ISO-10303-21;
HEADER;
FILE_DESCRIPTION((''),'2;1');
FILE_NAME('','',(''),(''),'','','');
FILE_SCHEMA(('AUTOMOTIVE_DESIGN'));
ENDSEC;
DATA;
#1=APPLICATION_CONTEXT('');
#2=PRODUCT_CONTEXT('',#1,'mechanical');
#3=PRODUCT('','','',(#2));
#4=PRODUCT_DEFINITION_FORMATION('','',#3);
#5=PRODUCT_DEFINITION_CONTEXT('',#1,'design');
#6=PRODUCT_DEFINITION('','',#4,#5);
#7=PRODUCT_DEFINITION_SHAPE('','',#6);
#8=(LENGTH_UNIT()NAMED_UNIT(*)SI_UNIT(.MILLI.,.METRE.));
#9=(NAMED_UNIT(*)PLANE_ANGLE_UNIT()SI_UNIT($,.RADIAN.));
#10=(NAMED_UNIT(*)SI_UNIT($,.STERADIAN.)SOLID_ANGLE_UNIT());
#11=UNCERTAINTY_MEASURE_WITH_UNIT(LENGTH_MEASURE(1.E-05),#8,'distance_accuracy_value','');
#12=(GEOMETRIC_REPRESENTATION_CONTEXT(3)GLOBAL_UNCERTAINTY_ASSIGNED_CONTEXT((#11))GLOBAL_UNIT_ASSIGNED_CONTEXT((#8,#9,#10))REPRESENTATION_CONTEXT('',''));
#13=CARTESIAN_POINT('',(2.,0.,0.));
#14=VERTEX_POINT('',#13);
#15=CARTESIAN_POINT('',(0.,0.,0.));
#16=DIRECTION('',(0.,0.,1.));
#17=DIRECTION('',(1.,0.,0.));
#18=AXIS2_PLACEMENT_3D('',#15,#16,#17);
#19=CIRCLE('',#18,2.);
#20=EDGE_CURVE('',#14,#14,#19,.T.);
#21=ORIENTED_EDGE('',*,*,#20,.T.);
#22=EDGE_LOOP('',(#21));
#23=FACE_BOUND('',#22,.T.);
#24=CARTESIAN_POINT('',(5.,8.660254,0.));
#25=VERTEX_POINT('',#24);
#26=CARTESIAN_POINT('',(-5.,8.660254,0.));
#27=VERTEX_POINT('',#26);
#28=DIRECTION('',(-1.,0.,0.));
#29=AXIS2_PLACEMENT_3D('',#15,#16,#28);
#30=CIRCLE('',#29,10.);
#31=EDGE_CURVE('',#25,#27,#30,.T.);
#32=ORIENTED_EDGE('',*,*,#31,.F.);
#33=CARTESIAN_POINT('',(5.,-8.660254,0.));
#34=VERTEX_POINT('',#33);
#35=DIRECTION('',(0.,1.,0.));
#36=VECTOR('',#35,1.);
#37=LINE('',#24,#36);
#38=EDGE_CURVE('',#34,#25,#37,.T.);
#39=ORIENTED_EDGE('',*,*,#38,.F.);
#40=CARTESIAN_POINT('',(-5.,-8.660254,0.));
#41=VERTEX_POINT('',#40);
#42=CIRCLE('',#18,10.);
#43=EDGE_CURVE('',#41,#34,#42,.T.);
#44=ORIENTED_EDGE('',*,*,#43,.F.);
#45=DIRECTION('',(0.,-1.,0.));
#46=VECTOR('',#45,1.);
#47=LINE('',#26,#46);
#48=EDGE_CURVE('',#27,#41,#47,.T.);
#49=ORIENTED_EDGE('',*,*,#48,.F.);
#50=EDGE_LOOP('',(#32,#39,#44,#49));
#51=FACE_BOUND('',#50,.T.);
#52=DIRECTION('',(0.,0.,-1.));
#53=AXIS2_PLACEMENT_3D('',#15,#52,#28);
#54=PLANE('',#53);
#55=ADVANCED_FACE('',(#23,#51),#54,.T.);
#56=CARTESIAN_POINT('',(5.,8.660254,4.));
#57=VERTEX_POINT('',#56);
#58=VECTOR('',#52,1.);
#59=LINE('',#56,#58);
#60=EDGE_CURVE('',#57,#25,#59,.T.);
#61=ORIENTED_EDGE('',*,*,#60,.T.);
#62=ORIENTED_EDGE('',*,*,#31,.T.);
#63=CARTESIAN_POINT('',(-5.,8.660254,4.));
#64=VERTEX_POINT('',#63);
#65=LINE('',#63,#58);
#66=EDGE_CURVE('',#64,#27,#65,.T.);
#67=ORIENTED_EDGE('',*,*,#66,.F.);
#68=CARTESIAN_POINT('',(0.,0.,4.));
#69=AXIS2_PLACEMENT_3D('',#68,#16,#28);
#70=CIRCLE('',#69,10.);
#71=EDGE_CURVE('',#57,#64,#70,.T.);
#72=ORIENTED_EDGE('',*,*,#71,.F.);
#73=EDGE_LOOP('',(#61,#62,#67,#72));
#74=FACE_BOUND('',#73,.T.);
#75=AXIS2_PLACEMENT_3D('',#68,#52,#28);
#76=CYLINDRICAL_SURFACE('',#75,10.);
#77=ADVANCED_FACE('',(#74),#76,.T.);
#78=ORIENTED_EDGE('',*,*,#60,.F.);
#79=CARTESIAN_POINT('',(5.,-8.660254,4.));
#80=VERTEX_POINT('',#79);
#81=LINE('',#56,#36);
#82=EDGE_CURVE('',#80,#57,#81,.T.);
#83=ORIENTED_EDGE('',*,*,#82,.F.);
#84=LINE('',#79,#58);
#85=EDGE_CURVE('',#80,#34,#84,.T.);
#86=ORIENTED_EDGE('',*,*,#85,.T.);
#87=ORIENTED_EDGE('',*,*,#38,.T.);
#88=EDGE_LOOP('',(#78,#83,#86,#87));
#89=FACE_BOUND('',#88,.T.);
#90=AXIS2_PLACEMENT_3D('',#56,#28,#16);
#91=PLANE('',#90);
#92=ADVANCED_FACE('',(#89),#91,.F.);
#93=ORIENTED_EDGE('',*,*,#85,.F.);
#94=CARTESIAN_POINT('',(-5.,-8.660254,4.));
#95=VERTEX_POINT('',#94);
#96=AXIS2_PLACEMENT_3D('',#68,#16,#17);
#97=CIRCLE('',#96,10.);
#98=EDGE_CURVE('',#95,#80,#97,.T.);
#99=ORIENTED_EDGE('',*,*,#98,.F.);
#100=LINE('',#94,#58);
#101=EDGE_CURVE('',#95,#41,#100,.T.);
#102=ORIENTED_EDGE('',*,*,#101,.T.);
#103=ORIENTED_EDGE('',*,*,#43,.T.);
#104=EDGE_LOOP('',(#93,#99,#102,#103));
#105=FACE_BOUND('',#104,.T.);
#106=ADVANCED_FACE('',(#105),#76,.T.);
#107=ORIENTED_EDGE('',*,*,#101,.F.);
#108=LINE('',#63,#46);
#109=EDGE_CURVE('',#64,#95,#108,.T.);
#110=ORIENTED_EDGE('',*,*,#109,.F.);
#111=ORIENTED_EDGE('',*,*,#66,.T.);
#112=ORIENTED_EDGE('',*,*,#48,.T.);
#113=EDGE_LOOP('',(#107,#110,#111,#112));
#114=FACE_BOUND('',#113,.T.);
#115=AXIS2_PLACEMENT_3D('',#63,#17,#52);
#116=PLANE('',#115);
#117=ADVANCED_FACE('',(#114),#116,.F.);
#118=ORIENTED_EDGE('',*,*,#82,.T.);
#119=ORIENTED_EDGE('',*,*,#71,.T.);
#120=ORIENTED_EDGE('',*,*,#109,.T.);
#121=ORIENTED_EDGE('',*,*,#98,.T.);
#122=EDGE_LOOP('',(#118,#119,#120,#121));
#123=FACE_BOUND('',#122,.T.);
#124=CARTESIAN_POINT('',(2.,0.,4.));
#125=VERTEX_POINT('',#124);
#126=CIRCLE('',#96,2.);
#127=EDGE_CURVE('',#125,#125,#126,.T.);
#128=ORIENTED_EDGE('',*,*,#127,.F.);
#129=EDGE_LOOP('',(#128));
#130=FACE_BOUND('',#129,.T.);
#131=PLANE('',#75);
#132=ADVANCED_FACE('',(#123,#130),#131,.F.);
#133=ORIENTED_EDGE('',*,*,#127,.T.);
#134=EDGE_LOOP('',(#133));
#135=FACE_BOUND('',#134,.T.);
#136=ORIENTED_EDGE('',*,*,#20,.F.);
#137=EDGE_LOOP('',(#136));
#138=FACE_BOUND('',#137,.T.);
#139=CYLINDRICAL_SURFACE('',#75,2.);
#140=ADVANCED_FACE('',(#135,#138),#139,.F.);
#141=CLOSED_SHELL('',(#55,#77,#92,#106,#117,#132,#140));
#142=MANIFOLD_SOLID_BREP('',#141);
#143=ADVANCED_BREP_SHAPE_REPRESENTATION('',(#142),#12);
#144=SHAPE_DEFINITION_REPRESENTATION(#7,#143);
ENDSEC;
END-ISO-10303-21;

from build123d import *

# Parameters (mm, degrees)
SKETCH1_R           = 2
BOSS_EXTRUDE1_DEPTH = 4


with BuildPart() as part:
    # Sketch1 → Boss-Extrude1 (new body)
    with BuildSketch(Plane.XY):
        with BuildLine():
            Line((-5, 8.660254038), (-5, -8.660254038))
            ThreePointArc((-5, -8.660254038), (0, -10), (5, -8.660254038))
            Line((5, -8.660254038), (5, 8.660254038))
            ThreePointArc((5, 8.660254038), (0, 10), (-5, 8.660254038))
        make_face()
        Circle(SKETCH1_R, mode=Mode.SUBTRACT)
    extrude(amount=BOSS_EXTRUDE1_DEPTH)


solid = part.part
